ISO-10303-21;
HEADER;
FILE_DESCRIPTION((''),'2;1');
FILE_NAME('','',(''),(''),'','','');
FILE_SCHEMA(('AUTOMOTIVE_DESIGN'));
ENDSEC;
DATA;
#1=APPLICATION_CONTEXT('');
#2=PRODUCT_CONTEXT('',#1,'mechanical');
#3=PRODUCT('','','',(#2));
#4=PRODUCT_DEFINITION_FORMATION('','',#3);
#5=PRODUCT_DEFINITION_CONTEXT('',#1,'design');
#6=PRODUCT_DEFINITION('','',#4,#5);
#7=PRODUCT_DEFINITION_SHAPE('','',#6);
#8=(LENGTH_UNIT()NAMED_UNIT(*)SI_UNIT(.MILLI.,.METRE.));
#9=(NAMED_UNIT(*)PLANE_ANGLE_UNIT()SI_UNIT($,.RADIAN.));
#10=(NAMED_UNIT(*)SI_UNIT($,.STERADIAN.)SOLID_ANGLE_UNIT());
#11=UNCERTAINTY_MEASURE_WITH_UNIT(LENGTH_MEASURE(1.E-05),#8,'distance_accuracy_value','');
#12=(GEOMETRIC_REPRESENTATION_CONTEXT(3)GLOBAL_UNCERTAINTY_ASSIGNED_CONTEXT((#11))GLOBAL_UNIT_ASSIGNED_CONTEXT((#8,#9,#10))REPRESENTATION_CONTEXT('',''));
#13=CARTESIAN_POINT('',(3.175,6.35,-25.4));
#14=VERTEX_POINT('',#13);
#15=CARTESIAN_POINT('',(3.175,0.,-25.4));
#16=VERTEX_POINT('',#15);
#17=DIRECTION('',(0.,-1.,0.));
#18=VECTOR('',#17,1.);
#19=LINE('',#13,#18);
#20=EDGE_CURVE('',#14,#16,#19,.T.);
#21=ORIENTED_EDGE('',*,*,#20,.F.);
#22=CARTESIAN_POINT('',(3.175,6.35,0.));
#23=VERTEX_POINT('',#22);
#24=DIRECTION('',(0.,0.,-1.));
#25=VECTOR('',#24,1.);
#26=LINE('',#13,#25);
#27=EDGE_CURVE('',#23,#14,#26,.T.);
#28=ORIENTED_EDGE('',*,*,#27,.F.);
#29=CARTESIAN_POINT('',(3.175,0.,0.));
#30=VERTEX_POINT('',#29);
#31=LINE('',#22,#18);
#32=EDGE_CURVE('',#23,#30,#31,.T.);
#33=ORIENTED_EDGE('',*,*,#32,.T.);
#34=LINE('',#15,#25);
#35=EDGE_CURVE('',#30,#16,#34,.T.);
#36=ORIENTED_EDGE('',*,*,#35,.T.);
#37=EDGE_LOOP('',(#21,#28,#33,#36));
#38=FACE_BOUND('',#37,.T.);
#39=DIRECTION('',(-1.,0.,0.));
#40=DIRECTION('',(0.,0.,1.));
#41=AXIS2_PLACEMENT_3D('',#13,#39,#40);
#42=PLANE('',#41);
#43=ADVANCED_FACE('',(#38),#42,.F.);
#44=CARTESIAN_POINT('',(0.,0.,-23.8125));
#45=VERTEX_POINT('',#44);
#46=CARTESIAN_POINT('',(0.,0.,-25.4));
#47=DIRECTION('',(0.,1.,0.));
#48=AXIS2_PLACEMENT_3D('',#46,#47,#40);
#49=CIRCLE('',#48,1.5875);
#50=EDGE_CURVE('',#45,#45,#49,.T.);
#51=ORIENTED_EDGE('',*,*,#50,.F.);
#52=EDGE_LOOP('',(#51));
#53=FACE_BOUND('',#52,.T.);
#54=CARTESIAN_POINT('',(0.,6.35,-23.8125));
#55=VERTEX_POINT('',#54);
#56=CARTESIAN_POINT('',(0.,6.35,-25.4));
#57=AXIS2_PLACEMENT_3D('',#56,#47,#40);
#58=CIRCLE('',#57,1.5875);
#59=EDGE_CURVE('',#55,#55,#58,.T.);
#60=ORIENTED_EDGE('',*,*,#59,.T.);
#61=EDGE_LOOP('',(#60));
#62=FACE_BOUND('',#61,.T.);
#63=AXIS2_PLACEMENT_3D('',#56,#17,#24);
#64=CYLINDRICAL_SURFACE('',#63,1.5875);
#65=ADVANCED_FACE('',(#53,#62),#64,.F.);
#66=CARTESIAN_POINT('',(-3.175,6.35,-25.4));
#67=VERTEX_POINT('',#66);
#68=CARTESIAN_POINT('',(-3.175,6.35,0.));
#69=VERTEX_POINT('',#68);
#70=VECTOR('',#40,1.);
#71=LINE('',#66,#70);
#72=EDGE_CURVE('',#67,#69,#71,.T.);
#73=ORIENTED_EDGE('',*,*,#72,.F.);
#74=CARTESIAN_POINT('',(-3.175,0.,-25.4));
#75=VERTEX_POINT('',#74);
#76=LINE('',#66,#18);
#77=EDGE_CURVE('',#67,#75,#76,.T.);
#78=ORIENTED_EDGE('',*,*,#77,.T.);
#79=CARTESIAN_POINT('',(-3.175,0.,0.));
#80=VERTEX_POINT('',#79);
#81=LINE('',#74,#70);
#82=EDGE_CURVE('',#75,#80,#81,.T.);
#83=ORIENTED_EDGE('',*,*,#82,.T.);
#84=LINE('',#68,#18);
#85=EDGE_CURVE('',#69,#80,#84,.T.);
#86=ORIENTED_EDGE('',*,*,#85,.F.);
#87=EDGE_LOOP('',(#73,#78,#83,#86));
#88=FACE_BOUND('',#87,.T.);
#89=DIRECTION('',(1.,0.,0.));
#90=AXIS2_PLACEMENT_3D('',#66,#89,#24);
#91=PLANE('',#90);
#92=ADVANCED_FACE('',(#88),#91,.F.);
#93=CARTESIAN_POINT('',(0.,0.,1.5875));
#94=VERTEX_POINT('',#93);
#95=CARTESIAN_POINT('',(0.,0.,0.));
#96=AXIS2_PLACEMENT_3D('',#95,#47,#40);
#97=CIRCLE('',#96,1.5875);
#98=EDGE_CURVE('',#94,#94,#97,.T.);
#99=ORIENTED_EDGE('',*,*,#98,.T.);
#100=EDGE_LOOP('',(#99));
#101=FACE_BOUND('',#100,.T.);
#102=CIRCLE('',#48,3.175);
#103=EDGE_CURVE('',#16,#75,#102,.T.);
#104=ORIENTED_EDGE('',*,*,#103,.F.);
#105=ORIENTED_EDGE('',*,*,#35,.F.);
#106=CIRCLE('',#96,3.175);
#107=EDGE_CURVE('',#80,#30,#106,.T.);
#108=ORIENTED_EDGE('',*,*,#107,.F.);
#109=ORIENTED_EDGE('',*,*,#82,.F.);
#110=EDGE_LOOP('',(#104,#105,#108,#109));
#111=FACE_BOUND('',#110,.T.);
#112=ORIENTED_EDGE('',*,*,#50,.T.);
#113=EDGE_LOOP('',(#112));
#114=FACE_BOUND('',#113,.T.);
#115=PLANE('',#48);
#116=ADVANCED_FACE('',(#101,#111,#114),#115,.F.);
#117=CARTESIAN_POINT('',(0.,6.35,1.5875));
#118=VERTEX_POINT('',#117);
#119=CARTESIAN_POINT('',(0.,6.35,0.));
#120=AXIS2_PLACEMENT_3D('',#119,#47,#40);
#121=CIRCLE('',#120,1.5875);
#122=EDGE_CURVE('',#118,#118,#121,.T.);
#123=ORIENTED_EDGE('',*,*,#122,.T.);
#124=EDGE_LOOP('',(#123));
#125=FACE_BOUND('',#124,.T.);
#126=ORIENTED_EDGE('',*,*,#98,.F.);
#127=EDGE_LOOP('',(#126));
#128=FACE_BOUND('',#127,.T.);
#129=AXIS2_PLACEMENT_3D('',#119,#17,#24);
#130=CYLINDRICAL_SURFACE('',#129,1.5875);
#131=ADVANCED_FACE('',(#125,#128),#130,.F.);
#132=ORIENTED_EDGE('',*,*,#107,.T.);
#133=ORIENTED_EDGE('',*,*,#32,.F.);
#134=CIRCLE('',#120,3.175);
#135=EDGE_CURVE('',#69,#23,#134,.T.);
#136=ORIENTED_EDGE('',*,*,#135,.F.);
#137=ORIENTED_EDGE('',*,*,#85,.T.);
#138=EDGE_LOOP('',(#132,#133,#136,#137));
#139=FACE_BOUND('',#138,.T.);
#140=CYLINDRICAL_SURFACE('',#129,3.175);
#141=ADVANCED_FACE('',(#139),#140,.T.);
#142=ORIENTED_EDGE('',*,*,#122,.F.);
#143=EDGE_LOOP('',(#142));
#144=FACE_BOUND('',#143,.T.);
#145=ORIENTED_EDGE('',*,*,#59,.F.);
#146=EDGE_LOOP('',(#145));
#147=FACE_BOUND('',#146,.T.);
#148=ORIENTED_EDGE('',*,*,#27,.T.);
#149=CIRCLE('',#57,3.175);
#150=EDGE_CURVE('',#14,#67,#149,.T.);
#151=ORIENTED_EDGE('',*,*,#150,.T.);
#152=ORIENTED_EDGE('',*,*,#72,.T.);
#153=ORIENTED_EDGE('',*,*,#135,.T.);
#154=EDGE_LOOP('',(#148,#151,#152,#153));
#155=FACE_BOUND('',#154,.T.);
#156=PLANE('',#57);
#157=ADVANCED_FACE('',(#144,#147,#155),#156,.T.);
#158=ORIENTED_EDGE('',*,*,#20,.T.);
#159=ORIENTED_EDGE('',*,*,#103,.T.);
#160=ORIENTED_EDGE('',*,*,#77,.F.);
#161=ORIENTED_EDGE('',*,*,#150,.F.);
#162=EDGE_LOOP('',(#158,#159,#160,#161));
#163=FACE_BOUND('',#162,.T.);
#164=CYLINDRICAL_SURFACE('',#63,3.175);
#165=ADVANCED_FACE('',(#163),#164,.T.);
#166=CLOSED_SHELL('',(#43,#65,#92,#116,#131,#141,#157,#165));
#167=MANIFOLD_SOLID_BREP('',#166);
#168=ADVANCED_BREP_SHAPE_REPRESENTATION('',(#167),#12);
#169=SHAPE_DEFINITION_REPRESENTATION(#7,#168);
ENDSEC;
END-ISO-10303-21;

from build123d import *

# Parameters (mm, degrees)
SKETCH1_R           = 1.5875
BOSS_EXTRUDE1_DEPTH = 6.35


with BuildPart() as part:
    # Sketch1 → Boss-Extrude1 (new body)
    with BuildSketch(Plane(origin=(0, 0, 0), x_dir=(1, 0, 0), z_dir=(0, 1, 0))):
        with BuildLine():
            Line((-3.175, 25.399999799), (-3.175, 2.01e-07))
            ThreePointArc((-3.175, 2.01e-07), (0, -3.175), (3.175, 2.01e-07))
            Line((3.175, 2.01e-07), (3.175, 25.399999799))
            ThreePointArc((3.175, 25.399999799), (0, 28.575), (-3.175, 25.399999799))
        make_face()
        with Locations(Location((0, 0, 0), (0, 0, 270))):
            Circle(SKETCH1_R, mode=Mode.SUBTRACT)
        with Locations(Location((0, 25.4, 0), (0, 0, 270))):
            Circle(SKETCH1_R, mode=Mode.SUBTRACT)
    extrude(amount=BOSS_EXTRUDE1_DEPTH)


solid = part.part
